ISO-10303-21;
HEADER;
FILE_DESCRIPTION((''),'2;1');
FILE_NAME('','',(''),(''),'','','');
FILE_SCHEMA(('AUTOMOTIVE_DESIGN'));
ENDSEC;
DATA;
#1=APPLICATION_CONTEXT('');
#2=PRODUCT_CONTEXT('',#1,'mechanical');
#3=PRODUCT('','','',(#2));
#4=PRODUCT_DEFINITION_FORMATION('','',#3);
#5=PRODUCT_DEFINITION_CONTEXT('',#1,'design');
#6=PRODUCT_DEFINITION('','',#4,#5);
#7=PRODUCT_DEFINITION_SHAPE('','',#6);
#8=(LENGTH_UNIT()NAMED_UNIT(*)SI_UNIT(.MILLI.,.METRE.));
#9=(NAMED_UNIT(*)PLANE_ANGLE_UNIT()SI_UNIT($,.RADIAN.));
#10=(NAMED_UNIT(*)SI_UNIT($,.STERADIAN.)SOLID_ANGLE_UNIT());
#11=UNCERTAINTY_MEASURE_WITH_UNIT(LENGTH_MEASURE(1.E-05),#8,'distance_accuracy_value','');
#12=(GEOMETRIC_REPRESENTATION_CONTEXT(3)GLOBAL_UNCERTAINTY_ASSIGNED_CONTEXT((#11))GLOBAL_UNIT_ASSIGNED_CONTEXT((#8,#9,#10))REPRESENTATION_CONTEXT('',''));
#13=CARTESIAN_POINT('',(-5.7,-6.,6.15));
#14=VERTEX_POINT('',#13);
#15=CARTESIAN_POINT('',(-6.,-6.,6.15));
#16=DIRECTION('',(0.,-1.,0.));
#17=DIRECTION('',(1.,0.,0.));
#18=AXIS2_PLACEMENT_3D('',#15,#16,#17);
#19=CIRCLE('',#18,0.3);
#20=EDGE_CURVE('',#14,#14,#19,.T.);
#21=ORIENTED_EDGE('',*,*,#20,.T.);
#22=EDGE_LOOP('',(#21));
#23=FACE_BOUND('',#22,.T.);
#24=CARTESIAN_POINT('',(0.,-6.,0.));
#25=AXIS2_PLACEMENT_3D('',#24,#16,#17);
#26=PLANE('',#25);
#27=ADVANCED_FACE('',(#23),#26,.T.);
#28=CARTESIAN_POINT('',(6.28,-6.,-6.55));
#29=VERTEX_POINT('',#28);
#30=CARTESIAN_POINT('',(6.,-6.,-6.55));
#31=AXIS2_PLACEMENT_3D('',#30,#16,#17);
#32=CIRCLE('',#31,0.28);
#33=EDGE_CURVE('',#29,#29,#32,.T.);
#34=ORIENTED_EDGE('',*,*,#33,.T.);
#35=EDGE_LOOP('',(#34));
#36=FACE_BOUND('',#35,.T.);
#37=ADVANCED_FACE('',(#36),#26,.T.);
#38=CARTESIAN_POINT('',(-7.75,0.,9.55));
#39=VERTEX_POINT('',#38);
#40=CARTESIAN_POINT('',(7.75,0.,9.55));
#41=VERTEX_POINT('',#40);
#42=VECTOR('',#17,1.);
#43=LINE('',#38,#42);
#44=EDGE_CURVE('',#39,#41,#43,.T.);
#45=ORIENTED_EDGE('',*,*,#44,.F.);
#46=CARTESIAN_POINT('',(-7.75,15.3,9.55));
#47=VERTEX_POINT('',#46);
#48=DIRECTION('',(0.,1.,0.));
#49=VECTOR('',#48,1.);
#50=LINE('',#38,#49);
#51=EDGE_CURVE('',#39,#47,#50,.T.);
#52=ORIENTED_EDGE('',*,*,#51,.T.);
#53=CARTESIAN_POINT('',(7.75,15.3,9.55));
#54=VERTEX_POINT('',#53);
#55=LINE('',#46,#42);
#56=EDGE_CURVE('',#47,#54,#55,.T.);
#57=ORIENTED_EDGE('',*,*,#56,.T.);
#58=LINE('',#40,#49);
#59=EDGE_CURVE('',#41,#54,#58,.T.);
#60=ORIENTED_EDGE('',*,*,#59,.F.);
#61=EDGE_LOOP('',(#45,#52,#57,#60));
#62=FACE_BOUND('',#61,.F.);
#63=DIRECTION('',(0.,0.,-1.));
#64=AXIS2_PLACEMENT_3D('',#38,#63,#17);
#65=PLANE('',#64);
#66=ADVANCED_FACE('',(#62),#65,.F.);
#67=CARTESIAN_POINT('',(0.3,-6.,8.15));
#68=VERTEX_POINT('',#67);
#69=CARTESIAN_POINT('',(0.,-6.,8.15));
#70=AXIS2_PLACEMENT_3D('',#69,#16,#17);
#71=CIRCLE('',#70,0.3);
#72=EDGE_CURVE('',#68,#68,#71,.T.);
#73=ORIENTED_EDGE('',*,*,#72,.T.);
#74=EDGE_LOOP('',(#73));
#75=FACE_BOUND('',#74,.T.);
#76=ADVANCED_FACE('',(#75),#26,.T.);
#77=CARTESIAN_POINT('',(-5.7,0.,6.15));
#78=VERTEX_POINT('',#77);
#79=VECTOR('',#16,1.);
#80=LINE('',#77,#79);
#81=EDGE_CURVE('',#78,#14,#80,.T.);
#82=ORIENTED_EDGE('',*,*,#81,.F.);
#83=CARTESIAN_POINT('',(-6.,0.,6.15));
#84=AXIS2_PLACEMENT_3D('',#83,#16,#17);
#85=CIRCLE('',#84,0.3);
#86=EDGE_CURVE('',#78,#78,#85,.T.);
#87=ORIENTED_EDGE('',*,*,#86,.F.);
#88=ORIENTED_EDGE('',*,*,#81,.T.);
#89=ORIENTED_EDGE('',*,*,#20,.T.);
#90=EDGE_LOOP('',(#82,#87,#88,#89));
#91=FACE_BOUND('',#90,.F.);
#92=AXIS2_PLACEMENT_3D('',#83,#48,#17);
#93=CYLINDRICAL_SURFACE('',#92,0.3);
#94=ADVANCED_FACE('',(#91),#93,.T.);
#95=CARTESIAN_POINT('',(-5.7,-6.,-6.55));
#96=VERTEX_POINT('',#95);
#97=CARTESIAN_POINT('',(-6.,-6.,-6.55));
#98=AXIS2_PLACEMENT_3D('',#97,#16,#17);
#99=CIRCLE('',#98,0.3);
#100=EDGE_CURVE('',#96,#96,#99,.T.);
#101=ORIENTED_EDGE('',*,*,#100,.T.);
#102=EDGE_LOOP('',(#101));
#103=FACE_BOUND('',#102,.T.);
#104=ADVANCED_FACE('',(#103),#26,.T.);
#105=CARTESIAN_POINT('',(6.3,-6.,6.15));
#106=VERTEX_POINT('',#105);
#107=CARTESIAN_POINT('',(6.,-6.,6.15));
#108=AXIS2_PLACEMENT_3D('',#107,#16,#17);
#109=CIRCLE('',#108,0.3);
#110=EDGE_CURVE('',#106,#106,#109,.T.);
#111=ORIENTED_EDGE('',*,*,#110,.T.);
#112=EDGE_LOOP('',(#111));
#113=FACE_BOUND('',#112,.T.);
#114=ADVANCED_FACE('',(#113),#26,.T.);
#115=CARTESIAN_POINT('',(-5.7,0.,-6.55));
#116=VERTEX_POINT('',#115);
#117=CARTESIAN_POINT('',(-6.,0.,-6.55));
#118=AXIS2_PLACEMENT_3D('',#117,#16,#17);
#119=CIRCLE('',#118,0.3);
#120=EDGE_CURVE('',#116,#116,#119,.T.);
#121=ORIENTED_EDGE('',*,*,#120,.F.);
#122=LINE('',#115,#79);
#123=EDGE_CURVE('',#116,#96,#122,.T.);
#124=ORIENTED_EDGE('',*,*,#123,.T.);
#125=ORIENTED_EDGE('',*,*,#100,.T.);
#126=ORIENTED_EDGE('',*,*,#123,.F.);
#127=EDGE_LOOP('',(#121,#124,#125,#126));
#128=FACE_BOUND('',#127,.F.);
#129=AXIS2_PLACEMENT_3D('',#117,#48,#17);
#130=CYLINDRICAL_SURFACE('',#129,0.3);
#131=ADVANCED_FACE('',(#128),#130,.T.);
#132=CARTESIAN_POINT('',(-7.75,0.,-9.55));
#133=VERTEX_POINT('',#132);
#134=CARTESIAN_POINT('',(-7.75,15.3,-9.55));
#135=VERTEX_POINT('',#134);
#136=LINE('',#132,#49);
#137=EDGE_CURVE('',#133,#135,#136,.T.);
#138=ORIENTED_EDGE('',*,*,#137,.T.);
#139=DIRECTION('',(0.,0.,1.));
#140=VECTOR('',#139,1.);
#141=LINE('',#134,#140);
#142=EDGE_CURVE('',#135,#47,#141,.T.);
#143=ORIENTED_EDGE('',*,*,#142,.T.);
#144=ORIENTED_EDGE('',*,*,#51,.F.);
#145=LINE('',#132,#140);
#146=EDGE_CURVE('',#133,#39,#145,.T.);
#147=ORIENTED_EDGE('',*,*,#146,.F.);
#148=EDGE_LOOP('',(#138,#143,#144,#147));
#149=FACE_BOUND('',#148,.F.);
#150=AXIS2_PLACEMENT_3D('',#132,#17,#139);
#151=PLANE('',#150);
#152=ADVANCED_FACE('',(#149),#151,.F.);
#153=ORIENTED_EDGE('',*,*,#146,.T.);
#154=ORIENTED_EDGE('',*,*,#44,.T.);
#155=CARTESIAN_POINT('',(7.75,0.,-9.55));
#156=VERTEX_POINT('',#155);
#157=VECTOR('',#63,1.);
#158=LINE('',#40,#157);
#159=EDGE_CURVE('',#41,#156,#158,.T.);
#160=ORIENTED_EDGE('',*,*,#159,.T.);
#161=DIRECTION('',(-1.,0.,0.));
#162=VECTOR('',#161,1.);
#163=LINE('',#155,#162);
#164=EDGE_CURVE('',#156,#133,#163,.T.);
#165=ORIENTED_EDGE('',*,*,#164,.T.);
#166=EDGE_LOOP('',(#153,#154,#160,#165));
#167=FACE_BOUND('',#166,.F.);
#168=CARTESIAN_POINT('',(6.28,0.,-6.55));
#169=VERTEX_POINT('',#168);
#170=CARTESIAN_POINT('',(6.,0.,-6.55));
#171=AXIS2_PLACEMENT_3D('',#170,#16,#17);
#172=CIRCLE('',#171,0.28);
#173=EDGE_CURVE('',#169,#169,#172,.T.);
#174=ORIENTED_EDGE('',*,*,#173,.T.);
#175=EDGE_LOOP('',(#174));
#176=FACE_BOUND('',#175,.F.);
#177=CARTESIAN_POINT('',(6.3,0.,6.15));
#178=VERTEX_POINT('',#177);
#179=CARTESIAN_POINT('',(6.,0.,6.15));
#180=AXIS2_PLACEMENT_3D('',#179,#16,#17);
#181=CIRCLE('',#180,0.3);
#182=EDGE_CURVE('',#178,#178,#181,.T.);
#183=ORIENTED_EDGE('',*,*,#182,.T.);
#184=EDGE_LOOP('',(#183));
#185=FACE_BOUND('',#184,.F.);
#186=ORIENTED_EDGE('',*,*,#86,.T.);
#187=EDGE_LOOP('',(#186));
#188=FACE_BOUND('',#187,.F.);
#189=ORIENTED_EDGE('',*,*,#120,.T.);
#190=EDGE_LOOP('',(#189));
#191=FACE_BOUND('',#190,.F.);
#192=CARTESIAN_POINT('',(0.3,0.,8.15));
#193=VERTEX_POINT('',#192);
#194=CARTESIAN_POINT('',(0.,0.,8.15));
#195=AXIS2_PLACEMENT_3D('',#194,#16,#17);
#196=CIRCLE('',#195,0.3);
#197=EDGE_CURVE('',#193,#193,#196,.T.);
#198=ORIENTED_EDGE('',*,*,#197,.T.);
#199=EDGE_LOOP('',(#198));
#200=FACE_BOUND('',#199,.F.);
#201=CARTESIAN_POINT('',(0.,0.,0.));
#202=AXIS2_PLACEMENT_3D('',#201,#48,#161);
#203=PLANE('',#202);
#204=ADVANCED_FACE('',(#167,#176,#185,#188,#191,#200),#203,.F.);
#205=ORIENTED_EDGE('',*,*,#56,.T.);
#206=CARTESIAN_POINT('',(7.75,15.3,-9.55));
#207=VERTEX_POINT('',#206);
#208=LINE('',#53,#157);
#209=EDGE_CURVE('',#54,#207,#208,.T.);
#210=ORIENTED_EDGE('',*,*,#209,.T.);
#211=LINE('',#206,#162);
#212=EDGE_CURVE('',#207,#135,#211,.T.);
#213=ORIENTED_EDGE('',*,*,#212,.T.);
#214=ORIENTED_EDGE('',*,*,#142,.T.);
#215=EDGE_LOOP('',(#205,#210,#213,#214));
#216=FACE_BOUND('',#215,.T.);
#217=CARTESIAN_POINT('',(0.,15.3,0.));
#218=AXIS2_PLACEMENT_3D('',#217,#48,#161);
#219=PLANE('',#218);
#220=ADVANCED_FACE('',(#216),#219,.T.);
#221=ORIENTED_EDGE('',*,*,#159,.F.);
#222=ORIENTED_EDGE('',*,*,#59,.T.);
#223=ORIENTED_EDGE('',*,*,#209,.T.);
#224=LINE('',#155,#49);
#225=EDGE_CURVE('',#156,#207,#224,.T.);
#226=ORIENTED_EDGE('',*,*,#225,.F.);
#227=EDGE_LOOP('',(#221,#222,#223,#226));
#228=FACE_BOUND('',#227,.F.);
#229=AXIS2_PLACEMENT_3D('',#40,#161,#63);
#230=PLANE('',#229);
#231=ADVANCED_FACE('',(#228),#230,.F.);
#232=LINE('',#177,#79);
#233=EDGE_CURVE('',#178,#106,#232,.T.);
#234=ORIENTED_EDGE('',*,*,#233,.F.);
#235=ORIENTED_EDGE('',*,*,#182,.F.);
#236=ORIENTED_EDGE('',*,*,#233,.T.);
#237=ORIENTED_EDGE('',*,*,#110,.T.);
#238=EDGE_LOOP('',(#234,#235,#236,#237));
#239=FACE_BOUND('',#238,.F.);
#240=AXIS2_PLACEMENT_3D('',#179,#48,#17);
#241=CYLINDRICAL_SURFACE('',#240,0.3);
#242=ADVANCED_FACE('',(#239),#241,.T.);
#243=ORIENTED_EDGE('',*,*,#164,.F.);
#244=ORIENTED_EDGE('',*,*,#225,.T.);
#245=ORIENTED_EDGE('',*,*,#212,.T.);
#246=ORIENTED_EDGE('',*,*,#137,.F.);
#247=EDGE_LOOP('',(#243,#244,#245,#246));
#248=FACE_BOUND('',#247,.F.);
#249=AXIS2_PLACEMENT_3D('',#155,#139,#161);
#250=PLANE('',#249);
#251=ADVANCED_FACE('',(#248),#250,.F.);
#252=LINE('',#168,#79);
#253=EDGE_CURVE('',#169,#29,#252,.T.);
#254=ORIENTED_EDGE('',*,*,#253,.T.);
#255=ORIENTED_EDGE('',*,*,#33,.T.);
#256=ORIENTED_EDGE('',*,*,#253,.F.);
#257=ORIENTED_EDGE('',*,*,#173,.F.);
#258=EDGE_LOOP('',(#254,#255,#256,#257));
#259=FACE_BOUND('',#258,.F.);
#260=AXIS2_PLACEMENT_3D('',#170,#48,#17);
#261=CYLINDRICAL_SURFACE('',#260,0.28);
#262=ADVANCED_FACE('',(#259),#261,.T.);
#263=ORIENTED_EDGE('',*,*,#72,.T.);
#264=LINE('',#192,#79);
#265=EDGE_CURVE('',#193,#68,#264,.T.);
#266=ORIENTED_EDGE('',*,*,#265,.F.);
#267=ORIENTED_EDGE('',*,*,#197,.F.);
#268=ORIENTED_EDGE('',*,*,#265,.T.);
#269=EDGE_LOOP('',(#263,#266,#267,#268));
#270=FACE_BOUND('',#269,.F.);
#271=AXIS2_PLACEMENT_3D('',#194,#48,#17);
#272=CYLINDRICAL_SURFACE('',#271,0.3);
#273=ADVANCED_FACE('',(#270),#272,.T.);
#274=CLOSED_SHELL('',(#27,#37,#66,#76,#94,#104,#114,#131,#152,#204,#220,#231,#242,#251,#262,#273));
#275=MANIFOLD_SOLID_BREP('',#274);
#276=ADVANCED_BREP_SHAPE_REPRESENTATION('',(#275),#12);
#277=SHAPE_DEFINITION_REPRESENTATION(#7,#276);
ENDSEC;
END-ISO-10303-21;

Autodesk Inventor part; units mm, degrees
ref_plane "YZ Plane" through (0, 0, 0) normal (1, 0, 0) x (0, 1, 0)
ref_plane "XZ Plane" through (0, 0, 0) normal (0, 1, 0) x (-1, 0, 0)
ref_plane "XY Plane" through (0, 0, 0) normal (0, 0, 1) x (1, 0, 0)
sketch "Sketch1" plane through (0, 0, 0) normal (0, 1, 0) x (-1, 0, 0)
  line L0 (7.75, 9.55) -> (-7.75, 9.55)
  line L1 (-7.75, 9.55) -> (-7.75, -9.55)
  line L2 (-7.75, -9.55) -> (7.75, -9.55)
  line L3 (7.75, -9.55) -> (7.75, 9.55)
  line L4 (7.75, 9.55) -> (-7.75, -9.55) construction
  line L5 (-7.75, 9.55) -> (7.75, -9.55) construction
  point P0 (0, 0)
  dimension "d0" = 15.5
  dimension "d1" = 19.1
extrude "Extrusion1" add sketch "Sketch1" along normal blind 15.3
sketch "Sketch2" plane through (0, 0, 0) normal (0, -1, 0) x (1, 0, 0)
  line L0 (7.75, 9.55) -> (7.75, -9.55) projected
  line L1 (-7.75, 9.55) -> (7.75, 9.55) projected
  line L2 (-7.75, -9.55) -> (-7.75, 9.55) projected
  line L3 (7.75, -9.55) -> (-7.75, -9.55) projected
  circle A0 centre (-6, 6.15) radius 0.3
  circle A1 centre (6, 6.15) radius 0.3
  circle A2 centre (0, 8.15) radius 0.3
  circle A3 centre (-6, -6.55) radius 0.3
  circle A4 centre (6, -6.55) radius 0.28
  point P0 (0, 0)
  dimension "d4" = 0.6
  dimension "d5" = 0.6
  dimension "d6" = 0.6
  dimension "d9" = 6
  dimension "d10" = 6
  dimension "d11" = 0.6
  dimension "d12" = 0.56
  dimension "d13" = 2
  dimension "d14" = 1.4
  dimension "d15" = 2
  dimension "d18" = 12.7
  dimension "d19" = 12.7
extrude "Extrusion2" add sketch "Sketch2" along normal blind 6 contours A0 | A1 | A2 | A3 | A4
properties part number "relay_sdr-03vdc-sl-c" material "ABS Plastic"
